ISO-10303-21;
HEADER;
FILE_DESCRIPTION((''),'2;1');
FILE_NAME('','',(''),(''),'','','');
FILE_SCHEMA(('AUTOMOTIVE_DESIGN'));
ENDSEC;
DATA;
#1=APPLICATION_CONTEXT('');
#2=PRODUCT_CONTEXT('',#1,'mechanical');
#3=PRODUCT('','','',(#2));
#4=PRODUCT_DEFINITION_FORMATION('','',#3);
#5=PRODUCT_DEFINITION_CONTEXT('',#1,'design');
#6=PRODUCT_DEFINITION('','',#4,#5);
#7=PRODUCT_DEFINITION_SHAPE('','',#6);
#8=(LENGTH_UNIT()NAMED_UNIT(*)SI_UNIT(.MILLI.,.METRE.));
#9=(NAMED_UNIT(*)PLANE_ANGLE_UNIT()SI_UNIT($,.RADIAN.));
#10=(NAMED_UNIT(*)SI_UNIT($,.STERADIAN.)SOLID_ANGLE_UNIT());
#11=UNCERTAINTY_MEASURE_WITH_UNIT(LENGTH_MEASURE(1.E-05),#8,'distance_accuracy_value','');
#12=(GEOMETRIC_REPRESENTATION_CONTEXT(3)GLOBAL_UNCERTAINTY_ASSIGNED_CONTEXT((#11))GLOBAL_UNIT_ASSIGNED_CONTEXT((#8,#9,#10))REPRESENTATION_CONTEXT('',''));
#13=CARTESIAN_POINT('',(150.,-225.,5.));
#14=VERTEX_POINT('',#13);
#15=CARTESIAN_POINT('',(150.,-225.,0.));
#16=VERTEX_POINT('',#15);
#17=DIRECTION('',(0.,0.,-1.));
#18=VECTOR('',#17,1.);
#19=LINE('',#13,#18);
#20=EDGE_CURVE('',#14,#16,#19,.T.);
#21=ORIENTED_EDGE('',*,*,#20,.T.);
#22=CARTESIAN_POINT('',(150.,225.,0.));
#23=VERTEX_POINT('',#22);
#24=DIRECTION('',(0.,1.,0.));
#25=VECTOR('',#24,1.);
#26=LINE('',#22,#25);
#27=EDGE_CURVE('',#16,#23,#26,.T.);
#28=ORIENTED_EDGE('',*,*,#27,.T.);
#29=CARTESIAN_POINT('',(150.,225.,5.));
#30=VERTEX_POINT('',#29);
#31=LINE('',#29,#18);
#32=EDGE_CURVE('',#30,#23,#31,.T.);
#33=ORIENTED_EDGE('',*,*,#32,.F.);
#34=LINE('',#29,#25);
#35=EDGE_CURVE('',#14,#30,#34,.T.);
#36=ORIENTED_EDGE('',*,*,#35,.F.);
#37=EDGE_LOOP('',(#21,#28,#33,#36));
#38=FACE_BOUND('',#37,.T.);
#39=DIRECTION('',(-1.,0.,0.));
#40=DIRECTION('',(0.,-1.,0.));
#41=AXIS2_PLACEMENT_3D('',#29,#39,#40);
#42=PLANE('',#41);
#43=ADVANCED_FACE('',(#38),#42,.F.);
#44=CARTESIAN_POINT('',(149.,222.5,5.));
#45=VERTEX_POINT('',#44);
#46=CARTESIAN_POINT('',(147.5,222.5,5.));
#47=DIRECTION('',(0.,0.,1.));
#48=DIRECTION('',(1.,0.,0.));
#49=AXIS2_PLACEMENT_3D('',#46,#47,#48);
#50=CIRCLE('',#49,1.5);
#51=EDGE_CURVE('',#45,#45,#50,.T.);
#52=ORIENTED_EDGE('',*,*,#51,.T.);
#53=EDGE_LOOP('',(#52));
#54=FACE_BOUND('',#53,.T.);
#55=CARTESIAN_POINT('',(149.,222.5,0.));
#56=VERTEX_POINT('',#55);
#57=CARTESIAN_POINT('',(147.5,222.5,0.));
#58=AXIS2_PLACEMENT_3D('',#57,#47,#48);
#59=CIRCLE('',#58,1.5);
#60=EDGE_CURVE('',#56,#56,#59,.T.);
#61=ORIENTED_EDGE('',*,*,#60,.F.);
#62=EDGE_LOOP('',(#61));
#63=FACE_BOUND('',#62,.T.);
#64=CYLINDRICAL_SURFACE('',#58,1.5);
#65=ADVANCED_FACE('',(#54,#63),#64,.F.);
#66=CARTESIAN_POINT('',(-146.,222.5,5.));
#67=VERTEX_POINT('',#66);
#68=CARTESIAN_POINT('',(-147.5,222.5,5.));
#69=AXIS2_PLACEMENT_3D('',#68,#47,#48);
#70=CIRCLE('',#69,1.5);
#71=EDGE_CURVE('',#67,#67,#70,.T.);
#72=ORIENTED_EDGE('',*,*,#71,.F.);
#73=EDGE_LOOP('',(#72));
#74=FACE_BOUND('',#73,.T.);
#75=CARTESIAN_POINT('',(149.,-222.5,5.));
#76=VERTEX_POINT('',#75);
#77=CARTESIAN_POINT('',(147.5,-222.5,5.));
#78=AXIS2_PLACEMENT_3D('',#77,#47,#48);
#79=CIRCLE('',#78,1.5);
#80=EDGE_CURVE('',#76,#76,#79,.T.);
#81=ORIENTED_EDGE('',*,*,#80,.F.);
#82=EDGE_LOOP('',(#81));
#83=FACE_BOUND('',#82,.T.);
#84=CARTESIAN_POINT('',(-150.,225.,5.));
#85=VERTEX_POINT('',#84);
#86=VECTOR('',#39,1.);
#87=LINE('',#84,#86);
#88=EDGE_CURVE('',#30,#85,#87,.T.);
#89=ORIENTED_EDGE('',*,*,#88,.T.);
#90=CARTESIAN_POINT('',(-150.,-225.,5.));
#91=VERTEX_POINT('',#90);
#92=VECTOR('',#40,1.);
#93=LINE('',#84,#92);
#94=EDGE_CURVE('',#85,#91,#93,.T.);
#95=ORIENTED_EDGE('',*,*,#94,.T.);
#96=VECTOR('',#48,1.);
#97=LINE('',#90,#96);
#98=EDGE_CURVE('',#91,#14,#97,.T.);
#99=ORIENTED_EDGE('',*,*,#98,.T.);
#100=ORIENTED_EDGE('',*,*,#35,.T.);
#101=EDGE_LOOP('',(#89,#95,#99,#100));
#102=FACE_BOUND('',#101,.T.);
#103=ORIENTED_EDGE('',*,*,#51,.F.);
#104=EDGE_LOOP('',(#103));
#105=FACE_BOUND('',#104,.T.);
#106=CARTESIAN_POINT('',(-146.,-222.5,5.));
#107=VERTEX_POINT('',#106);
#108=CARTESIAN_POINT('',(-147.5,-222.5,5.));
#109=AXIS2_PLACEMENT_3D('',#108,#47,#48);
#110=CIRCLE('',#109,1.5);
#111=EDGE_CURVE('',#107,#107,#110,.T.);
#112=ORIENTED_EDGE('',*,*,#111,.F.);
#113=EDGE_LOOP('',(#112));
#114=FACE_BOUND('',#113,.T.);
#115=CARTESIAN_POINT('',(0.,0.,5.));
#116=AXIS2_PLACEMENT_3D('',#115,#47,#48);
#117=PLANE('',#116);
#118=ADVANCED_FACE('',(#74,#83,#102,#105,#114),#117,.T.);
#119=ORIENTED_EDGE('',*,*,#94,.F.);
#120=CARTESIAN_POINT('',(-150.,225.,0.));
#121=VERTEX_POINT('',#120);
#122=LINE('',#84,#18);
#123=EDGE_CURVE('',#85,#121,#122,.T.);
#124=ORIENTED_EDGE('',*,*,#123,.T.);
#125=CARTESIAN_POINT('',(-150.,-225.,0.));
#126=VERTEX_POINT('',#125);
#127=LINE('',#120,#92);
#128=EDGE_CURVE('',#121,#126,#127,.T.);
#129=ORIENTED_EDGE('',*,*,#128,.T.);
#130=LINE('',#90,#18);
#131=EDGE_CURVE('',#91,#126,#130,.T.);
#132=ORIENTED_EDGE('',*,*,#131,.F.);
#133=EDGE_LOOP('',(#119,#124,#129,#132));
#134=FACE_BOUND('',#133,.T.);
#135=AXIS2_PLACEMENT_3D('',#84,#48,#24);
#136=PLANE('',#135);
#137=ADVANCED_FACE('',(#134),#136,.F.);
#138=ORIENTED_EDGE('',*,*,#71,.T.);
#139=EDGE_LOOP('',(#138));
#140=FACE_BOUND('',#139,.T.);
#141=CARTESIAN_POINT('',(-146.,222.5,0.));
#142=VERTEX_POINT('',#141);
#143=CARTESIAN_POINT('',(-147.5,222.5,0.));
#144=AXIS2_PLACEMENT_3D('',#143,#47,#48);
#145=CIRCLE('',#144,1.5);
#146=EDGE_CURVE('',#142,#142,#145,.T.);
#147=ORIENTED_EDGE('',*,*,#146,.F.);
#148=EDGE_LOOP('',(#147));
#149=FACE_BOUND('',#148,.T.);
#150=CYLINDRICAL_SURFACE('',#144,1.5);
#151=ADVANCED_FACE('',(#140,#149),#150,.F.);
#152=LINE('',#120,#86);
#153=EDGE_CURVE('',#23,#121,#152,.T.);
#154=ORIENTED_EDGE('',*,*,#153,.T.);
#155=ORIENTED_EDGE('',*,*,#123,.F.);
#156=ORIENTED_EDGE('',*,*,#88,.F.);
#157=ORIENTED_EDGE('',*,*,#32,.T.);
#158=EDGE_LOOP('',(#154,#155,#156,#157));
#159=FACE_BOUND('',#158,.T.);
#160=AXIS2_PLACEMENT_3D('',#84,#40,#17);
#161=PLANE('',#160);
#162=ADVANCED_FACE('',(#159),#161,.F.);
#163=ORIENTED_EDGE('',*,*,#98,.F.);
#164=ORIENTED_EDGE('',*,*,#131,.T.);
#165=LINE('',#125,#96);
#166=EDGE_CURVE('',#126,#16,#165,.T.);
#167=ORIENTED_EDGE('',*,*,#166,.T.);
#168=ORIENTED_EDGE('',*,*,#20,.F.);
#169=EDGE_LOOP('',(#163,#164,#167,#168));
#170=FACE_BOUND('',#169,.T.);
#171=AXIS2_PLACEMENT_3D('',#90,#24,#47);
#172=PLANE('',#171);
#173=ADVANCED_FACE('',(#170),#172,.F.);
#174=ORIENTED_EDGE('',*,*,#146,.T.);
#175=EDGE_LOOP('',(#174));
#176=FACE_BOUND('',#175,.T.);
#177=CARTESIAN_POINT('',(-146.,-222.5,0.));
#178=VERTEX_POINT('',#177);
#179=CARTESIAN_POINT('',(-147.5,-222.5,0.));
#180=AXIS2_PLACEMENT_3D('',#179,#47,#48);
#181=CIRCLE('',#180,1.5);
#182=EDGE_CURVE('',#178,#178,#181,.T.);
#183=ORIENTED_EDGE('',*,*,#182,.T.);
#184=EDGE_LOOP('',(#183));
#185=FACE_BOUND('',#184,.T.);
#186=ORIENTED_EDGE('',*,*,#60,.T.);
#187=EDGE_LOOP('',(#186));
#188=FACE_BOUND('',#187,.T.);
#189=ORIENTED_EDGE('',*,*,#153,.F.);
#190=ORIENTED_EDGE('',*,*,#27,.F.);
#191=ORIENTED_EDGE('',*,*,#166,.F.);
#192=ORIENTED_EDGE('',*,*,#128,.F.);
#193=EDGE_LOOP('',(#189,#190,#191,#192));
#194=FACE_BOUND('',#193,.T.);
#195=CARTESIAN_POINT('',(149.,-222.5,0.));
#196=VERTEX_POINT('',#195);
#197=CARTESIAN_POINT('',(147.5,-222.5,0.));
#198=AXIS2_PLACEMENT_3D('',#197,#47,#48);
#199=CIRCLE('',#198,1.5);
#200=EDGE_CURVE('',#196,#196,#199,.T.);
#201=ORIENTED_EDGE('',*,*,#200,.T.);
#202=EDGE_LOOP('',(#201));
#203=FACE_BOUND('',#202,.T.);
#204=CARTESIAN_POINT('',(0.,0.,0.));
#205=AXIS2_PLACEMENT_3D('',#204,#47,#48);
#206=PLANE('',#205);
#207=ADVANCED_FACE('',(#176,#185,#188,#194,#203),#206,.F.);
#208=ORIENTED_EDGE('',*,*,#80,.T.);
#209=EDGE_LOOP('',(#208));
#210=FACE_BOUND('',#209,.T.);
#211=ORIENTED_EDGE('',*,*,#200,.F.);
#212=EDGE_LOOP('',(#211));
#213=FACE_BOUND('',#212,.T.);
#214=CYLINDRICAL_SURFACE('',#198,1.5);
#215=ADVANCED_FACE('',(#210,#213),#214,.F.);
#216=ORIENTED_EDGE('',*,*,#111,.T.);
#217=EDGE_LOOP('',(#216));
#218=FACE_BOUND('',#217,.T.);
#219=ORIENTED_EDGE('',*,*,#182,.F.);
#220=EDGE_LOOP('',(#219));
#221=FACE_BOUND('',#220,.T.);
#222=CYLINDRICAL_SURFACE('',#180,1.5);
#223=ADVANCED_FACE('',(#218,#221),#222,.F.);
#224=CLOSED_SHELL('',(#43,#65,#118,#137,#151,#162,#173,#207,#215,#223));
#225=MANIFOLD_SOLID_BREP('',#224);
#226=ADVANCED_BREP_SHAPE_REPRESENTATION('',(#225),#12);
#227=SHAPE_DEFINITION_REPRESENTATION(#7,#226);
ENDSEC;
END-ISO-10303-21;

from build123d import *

# Parameters (mm, degrees)
SKETCH1_W           = 300
SKETCH1_H           = 450
BOSS_EXTRUDE1_DEPTH = 5
SKETCH2_R           = 1.5
CUT_EXTRUDE1_DEPTH  = 6


with BuildPart() as part:
    # Sketch1 → Boss-Extrude1 (new body)
    with BuildSketch(Plane.XY):
        Rectangle(SKETCH1_W, SKETCH1_H)
    extrude(amount=BOSS_EXTRUDE1_DEPTH)

    # Sketch2 → Cut-Extrude1 (cut, through all)
    with BuildSketch(Plane.XY.offset(5)):
        with Locations((-147.5, -222.5)):
            Circle(SKETCH2_R)
        with Locations((-147.5, 222.5)):
            Circle(SKETCH2_R)
        with Locations((147.5, -222.5)):
            Circle(SKETCH2_R)
        with Locations((147.5, 222.5)):
            Circle(SKETCH2_R)
    extrude(amount=-CUT_EXTRUDE1_DEPTH, mode=Mode.SUBTRACT)


solid = part.part
